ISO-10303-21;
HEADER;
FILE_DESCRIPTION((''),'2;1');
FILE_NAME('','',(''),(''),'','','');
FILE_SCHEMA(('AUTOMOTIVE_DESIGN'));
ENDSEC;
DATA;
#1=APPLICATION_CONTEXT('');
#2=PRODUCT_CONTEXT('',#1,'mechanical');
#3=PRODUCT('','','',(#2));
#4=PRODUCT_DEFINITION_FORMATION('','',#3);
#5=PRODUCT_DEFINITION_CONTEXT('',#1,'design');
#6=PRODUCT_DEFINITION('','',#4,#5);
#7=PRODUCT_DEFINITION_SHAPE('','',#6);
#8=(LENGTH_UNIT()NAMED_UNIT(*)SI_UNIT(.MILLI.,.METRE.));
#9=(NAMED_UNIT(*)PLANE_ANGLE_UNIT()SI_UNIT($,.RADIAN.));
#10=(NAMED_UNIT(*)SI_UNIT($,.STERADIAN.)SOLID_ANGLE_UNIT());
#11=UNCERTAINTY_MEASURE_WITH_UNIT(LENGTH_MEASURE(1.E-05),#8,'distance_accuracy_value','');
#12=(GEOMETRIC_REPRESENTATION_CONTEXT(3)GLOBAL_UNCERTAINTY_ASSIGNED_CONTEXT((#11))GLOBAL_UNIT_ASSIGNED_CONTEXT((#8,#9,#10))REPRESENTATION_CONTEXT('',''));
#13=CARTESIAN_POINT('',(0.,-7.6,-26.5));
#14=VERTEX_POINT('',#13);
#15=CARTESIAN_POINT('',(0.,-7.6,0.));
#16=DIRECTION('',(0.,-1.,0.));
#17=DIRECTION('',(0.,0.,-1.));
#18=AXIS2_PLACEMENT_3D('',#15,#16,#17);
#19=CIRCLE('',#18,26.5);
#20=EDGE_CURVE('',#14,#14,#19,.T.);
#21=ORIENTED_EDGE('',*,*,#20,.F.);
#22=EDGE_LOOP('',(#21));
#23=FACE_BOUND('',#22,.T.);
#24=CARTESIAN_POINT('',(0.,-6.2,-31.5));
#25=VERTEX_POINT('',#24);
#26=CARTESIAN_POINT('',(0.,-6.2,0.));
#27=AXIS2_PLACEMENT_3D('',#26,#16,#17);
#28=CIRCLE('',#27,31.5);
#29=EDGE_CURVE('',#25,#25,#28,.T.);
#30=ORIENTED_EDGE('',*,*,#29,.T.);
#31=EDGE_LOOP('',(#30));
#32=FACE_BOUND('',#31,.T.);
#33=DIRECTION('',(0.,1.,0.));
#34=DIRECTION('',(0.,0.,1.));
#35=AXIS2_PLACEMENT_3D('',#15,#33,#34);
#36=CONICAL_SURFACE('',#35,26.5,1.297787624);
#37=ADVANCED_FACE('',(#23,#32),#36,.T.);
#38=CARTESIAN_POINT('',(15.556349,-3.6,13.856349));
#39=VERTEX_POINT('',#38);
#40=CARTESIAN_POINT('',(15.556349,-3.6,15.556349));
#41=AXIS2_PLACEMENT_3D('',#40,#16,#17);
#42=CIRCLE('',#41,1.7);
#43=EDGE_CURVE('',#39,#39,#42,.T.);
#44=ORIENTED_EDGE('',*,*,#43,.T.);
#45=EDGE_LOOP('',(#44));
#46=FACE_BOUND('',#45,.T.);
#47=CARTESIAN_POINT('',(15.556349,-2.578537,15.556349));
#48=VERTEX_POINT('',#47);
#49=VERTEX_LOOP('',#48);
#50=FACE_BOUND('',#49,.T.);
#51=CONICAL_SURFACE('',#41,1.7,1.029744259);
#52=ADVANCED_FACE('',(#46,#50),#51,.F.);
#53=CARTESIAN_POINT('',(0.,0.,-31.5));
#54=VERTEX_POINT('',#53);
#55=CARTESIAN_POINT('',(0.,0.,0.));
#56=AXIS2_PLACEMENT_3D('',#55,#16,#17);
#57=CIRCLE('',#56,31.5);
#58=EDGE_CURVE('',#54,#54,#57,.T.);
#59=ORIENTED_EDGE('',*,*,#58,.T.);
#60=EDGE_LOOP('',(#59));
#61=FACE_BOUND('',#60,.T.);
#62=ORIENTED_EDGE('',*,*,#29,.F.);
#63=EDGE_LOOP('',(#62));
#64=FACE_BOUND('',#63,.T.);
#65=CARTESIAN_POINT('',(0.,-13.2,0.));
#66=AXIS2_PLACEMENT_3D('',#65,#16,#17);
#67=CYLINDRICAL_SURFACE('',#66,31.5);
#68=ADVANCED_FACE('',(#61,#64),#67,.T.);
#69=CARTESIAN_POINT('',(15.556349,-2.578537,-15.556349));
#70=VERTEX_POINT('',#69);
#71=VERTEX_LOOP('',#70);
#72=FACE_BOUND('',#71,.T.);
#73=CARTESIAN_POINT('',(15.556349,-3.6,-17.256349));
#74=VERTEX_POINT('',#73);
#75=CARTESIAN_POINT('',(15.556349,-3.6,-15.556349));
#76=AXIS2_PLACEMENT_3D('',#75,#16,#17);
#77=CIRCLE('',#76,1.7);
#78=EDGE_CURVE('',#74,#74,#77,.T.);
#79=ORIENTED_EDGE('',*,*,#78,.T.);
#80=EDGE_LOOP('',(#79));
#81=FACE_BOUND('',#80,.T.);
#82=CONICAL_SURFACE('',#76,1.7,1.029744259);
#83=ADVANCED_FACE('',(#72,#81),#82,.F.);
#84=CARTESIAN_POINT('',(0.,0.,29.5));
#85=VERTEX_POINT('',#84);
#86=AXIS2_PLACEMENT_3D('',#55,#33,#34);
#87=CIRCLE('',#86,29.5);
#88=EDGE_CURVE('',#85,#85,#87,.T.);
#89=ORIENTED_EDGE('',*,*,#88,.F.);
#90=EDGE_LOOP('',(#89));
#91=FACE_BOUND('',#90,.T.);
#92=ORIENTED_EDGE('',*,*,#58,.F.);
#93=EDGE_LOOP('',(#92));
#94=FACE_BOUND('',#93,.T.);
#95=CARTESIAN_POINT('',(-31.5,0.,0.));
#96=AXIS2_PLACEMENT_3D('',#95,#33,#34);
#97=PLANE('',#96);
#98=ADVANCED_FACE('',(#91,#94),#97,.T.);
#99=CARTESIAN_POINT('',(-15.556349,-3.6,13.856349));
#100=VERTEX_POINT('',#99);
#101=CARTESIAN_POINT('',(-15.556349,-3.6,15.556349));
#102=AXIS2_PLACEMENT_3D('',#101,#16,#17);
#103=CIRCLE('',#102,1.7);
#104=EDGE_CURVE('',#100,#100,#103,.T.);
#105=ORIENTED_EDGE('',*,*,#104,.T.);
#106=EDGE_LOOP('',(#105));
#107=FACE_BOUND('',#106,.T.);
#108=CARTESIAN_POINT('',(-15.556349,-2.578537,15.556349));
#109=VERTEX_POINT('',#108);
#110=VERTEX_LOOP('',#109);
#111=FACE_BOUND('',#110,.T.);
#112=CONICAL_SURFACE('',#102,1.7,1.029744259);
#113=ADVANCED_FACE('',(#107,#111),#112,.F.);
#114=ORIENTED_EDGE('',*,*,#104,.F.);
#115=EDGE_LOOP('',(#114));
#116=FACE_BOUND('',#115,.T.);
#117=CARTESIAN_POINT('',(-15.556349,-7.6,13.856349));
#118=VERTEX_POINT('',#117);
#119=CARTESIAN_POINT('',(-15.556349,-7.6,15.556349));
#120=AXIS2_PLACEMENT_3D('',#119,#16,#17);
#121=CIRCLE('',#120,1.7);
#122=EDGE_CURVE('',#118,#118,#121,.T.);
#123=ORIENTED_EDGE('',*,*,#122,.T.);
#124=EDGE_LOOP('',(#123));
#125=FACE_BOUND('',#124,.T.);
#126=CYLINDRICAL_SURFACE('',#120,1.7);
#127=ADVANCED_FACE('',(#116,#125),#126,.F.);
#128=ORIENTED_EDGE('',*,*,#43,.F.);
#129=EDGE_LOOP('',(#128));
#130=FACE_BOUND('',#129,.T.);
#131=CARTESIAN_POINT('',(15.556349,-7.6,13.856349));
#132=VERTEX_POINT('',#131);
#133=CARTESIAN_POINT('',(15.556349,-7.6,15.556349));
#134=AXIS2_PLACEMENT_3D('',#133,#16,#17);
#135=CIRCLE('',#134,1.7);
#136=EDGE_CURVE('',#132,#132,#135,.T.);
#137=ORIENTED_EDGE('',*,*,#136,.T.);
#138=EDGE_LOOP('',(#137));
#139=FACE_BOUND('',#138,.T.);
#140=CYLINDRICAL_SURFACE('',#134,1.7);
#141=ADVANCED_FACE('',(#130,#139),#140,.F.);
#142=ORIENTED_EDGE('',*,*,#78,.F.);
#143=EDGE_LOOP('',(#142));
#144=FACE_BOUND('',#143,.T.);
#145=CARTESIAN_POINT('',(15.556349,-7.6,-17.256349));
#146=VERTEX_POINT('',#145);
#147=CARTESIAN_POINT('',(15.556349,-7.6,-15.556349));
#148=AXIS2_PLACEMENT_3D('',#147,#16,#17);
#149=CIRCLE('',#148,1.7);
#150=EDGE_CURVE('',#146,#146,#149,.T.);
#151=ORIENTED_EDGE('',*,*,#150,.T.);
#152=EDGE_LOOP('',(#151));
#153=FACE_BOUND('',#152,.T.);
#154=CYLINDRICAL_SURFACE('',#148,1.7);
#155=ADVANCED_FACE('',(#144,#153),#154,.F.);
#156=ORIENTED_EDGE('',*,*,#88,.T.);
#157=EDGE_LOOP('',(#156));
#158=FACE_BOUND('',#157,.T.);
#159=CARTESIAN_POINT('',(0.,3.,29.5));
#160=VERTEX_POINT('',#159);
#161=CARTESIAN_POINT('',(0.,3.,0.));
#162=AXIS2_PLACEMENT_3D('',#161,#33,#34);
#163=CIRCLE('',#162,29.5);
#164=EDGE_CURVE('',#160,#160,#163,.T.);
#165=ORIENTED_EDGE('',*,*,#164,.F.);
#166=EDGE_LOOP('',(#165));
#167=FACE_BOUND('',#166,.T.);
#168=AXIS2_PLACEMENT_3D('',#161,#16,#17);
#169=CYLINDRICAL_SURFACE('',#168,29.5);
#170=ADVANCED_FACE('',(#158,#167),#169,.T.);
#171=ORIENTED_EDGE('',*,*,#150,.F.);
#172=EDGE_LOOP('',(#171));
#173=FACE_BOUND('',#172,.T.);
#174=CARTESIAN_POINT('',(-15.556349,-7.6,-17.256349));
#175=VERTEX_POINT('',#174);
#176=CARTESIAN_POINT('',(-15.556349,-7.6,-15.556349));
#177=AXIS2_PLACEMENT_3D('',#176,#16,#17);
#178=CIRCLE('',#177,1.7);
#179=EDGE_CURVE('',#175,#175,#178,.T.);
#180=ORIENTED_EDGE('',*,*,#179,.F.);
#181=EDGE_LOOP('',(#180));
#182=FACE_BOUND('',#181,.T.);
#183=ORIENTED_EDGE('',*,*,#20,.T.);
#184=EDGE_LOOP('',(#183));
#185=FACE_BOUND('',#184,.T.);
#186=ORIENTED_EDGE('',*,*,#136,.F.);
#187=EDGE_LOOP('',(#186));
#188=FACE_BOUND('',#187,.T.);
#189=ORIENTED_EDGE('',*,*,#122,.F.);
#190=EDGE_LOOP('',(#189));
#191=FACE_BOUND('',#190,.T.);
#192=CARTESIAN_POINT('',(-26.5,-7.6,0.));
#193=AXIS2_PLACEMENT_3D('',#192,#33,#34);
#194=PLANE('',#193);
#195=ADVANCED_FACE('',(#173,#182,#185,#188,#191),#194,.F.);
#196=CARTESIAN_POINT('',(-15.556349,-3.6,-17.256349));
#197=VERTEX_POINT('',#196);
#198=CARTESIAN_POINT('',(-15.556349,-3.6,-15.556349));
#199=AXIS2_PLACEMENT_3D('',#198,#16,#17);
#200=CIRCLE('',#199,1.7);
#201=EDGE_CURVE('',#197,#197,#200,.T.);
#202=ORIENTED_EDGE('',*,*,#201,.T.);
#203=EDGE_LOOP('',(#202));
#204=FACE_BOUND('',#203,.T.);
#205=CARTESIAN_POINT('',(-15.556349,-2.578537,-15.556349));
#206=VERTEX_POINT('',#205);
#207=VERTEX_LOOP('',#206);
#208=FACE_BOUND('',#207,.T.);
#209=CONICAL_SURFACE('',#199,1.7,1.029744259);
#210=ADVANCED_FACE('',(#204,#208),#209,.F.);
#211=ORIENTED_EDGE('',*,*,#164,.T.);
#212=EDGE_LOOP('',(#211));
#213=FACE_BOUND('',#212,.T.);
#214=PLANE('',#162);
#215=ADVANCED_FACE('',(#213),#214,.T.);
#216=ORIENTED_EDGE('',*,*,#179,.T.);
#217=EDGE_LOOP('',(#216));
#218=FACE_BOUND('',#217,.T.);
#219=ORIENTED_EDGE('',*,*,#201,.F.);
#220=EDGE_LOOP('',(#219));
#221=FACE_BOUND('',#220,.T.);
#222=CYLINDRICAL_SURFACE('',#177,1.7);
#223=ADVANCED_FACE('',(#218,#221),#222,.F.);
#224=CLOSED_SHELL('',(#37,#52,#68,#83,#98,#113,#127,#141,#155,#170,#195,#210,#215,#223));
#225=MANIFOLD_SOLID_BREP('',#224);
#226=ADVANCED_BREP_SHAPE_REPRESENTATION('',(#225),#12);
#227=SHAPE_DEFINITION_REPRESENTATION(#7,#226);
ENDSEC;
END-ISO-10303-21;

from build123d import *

# Parameters (mm, degrees)
M3_CLEARANCE_HOLE1_D     = 3.4
M3_CLEARANCE_HOLE1_DEPTH = 4
M3_CLEARANCE_HOLE1_TIP   = 1.021463052
SKETCH5_R                = 29.5
BOSS_EXTRUDE1_DEPTH      = 3


with BuildPart() as part:
    # Sketch1 → Revolve1 (revolve)
    with BuildSketch(Plane.XY, mode=Mode.PRIVATE) as revolve1_sk:
        Polygon((-26.5, -7.6), (-31.5, -6.2), (-31.5, 0), (0, 0), (0, -7.6), align=None)
    revolve(revolve1_sk.sketch.rotate(Axis((0, -13.2, 0), (0, 1, 0)), 270), axis=Axis((0, -13.2, 0), (0, 1, 0)))

    # M3 Clearance Hole1
    with Locations(Plane(origin=(0, -7.6, 0), x_dir=(-1, 0, 0), z_dir=(0, -1, 0))):
        with Locations((15.556349186, -15.556349186), (15.556349186, 15.556349186), (-15.556349186, 15.556349186), (-15.556349186, -15.556349186)):
            Hole(M3_CLEARANCE_HOLE1_D / 2, depth=M3_CLEARANCE_HOLE1_DEPTH)
            with Locations((0, 0, -(M3_CLEARANCE_HOLE1_DEPTH + M3_CLEARANCE_HOLE1_TIP / 2))):  # 118° drill point
                Cone(0, M3_CLEARANCE_HOLE1_D / 2, M3_CLEARANCE_HOLE1_TIP, mode=Mode.SUBTRACT)

    # Sketch5 → Boss-Extrude1 (add)
    with BuildSketch(Plane(origin=(0, 0, 0), x_dir=(1, 0, 0), z_dir=(0, 1, 0))):
        with Locations(Location((0, 0, 0), (0, 0, 270))):
            Circle(SKETCH5_R)
    extrude(amount=BOSS_EXTRUDE1_DEPTH)


solid = part.part
